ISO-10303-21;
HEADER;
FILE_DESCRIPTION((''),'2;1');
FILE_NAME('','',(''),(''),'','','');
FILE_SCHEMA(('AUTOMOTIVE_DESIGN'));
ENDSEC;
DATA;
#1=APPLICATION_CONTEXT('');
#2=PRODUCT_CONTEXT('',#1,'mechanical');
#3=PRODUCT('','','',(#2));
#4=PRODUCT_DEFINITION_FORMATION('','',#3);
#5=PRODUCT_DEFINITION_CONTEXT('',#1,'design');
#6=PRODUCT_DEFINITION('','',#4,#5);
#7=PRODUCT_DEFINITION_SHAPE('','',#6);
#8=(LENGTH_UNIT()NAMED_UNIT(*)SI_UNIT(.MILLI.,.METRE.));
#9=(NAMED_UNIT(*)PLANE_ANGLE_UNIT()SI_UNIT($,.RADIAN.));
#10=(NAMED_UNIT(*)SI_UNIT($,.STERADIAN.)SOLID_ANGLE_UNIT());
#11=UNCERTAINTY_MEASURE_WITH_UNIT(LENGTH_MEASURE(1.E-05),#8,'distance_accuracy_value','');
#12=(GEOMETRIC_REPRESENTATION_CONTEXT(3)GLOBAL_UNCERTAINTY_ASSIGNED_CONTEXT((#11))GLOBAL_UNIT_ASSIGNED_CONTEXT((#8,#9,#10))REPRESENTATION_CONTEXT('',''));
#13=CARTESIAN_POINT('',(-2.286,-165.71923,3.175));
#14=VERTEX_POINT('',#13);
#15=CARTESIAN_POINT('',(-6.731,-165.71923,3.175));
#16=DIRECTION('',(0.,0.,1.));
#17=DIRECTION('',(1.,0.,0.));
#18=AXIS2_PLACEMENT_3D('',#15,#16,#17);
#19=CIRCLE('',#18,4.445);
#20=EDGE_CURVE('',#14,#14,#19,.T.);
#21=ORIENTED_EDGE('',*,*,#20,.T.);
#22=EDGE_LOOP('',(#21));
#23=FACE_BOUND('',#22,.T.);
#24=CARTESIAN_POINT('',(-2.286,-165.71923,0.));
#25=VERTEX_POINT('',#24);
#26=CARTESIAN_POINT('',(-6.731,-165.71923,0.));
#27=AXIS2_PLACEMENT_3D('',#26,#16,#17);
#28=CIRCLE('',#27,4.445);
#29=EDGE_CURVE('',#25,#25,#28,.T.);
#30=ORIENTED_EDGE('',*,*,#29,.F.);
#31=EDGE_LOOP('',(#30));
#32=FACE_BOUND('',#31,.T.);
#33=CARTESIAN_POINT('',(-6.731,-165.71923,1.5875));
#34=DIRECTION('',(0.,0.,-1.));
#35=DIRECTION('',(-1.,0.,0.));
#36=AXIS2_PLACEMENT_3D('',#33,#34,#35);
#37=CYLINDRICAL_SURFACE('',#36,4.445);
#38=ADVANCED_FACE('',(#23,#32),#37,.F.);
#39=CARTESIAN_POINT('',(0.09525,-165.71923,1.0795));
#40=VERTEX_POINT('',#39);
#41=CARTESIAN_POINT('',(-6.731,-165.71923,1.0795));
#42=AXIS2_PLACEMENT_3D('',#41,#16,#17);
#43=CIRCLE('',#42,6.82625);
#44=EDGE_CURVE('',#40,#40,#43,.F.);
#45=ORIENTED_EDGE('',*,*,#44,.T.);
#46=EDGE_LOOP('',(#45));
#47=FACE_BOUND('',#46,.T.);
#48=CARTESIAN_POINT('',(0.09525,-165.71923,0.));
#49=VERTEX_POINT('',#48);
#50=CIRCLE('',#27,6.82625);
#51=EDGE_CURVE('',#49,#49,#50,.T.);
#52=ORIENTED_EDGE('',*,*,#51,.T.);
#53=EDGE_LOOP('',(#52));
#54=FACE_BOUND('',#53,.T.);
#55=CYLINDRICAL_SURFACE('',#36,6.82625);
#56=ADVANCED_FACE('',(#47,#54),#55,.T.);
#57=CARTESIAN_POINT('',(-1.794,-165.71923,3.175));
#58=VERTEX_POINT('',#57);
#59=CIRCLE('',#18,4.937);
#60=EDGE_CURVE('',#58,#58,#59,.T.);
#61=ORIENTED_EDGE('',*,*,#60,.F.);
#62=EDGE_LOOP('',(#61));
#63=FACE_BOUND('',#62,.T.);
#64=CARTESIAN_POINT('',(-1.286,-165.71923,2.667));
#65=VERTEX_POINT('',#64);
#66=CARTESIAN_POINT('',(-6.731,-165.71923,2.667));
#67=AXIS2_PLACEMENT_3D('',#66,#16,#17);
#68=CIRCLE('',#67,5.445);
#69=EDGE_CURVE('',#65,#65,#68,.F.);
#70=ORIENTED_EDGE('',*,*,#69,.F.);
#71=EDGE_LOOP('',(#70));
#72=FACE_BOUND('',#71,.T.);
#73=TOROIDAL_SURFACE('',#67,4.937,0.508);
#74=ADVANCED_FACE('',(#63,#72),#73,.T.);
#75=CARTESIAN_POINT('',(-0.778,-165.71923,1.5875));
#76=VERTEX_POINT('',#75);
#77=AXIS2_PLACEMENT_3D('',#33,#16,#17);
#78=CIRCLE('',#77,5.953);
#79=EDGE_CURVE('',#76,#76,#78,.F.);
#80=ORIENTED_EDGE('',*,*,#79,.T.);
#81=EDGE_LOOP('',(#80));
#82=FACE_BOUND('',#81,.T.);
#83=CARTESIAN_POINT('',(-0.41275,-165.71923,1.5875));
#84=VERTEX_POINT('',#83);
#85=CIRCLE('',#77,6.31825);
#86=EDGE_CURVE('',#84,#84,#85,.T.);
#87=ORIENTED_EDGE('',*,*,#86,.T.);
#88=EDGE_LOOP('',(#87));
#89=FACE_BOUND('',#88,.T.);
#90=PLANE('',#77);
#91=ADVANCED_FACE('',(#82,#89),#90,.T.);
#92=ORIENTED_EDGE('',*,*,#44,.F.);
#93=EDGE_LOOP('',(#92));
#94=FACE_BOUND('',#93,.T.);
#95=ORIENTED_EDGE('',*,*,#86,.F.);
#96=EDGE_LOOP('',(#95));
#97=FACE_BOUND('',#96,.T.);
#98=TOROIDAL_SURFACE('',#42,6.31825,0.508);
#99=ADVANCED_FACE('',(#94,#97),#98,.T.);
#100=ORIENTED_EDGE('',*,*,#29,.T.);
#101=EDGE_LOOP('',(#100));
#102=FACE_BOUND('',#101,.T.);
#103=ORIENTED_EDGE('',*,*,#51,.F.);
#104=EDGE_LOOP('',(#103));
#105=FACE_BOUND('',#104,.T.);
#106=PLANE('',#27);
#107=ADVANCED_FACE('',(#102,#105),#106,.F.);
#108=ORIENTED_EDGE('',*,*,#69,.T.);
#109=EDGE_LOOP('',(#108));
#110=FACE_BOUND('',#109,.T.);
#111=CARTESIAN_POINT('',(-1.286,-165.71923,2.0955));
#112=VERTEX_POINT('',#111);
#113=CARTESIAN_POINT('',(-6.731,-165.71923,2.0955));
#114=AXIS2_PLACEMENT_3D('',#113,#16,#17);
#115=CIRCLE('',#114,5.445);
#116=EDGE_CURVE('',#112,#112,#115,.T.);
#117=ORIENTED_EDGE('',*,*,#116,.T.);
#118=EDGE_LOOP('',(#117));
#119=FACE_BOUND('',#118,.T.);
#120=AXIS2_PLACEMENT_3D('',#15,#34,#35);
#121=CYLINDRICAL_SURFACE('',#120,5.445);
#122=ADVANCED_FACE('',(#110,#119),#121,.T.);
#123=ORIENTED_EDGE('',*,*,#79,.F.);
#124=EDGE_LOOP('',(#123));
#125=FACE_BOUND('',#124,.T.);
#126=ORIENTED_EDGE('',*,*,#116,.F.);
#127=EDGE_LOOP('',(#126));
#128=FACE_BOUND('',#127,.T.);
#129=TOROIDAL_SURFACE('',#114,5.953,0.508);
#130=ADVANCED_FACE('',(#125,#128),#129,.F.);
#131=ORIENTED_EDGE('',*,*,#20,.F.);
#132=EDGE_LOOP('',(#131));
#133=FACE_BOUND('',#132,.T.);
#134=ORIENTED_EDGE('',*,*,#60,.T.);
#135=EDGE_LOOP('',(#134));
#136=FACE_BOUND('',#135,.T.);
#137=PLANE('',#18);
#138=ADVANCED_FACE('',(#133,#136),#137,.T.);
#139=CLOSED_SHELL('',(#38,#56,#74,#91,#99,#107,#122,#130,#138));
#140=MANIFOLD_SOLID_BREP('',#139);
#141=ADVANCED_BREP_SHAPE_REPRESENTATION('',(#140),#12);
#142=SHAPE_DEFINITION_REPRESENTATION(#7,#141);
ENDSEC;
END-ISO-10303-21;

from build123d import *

# Parameters (mm, degrees)
SKETCH1_R           = 6.82625
SKETCH1_R_2         = 4.445
BOSS_EXTRUDE1_DEPTH = 1.5875
SKETCH2_R           = 5.445
SKETCH2_R_2         = 4.445
EXTRUDE_THIN1_DEPTH = 1.5875
FILLET1_R           = 0.508


with BuildPart() as part:
    # Sketch1 → Boss-Extrude1 (new body)
    with BuildSketch(Plane.XY):
        with Locations((-6.731, -165.7192297)):
            Circle(SKETCH1_R)
        with Locations((-6.731, -165.7192297)):
            Circle(SKETCH1_R_2, mode=Mode.SUBTRACT)
    extrude(amount=BOSS_EXTRUDE1_DEPTH)

    # Sketch2 → Extrude-Thin1 (add)
    with BuildSketch(Plane.XY.offset(1.5875)):
        with Locations((-6.731, -165.7192297)):
            Circle(SKETCH2_R)
        with Locations((-6.731, -165.7192297)):
            Circle(SKETCH2_R_2, mode=Mode.SUBTRACT)
    extrude(amount=EXTRUDE_THIN1_DEPTH)

    # Fillet1
    fillet1_edges = [part.edges().sort_by_distance(p)[0] for p in [
        (-12.176, -165.7192297, 3.175),
        (-12.176, -165.7192297, 1.5875),
        (-13.55725, -165.7192297, 1.5875),
    ]]
    fillet(fillet1_edges, radius=FILLET1_R)


solid = part.part
